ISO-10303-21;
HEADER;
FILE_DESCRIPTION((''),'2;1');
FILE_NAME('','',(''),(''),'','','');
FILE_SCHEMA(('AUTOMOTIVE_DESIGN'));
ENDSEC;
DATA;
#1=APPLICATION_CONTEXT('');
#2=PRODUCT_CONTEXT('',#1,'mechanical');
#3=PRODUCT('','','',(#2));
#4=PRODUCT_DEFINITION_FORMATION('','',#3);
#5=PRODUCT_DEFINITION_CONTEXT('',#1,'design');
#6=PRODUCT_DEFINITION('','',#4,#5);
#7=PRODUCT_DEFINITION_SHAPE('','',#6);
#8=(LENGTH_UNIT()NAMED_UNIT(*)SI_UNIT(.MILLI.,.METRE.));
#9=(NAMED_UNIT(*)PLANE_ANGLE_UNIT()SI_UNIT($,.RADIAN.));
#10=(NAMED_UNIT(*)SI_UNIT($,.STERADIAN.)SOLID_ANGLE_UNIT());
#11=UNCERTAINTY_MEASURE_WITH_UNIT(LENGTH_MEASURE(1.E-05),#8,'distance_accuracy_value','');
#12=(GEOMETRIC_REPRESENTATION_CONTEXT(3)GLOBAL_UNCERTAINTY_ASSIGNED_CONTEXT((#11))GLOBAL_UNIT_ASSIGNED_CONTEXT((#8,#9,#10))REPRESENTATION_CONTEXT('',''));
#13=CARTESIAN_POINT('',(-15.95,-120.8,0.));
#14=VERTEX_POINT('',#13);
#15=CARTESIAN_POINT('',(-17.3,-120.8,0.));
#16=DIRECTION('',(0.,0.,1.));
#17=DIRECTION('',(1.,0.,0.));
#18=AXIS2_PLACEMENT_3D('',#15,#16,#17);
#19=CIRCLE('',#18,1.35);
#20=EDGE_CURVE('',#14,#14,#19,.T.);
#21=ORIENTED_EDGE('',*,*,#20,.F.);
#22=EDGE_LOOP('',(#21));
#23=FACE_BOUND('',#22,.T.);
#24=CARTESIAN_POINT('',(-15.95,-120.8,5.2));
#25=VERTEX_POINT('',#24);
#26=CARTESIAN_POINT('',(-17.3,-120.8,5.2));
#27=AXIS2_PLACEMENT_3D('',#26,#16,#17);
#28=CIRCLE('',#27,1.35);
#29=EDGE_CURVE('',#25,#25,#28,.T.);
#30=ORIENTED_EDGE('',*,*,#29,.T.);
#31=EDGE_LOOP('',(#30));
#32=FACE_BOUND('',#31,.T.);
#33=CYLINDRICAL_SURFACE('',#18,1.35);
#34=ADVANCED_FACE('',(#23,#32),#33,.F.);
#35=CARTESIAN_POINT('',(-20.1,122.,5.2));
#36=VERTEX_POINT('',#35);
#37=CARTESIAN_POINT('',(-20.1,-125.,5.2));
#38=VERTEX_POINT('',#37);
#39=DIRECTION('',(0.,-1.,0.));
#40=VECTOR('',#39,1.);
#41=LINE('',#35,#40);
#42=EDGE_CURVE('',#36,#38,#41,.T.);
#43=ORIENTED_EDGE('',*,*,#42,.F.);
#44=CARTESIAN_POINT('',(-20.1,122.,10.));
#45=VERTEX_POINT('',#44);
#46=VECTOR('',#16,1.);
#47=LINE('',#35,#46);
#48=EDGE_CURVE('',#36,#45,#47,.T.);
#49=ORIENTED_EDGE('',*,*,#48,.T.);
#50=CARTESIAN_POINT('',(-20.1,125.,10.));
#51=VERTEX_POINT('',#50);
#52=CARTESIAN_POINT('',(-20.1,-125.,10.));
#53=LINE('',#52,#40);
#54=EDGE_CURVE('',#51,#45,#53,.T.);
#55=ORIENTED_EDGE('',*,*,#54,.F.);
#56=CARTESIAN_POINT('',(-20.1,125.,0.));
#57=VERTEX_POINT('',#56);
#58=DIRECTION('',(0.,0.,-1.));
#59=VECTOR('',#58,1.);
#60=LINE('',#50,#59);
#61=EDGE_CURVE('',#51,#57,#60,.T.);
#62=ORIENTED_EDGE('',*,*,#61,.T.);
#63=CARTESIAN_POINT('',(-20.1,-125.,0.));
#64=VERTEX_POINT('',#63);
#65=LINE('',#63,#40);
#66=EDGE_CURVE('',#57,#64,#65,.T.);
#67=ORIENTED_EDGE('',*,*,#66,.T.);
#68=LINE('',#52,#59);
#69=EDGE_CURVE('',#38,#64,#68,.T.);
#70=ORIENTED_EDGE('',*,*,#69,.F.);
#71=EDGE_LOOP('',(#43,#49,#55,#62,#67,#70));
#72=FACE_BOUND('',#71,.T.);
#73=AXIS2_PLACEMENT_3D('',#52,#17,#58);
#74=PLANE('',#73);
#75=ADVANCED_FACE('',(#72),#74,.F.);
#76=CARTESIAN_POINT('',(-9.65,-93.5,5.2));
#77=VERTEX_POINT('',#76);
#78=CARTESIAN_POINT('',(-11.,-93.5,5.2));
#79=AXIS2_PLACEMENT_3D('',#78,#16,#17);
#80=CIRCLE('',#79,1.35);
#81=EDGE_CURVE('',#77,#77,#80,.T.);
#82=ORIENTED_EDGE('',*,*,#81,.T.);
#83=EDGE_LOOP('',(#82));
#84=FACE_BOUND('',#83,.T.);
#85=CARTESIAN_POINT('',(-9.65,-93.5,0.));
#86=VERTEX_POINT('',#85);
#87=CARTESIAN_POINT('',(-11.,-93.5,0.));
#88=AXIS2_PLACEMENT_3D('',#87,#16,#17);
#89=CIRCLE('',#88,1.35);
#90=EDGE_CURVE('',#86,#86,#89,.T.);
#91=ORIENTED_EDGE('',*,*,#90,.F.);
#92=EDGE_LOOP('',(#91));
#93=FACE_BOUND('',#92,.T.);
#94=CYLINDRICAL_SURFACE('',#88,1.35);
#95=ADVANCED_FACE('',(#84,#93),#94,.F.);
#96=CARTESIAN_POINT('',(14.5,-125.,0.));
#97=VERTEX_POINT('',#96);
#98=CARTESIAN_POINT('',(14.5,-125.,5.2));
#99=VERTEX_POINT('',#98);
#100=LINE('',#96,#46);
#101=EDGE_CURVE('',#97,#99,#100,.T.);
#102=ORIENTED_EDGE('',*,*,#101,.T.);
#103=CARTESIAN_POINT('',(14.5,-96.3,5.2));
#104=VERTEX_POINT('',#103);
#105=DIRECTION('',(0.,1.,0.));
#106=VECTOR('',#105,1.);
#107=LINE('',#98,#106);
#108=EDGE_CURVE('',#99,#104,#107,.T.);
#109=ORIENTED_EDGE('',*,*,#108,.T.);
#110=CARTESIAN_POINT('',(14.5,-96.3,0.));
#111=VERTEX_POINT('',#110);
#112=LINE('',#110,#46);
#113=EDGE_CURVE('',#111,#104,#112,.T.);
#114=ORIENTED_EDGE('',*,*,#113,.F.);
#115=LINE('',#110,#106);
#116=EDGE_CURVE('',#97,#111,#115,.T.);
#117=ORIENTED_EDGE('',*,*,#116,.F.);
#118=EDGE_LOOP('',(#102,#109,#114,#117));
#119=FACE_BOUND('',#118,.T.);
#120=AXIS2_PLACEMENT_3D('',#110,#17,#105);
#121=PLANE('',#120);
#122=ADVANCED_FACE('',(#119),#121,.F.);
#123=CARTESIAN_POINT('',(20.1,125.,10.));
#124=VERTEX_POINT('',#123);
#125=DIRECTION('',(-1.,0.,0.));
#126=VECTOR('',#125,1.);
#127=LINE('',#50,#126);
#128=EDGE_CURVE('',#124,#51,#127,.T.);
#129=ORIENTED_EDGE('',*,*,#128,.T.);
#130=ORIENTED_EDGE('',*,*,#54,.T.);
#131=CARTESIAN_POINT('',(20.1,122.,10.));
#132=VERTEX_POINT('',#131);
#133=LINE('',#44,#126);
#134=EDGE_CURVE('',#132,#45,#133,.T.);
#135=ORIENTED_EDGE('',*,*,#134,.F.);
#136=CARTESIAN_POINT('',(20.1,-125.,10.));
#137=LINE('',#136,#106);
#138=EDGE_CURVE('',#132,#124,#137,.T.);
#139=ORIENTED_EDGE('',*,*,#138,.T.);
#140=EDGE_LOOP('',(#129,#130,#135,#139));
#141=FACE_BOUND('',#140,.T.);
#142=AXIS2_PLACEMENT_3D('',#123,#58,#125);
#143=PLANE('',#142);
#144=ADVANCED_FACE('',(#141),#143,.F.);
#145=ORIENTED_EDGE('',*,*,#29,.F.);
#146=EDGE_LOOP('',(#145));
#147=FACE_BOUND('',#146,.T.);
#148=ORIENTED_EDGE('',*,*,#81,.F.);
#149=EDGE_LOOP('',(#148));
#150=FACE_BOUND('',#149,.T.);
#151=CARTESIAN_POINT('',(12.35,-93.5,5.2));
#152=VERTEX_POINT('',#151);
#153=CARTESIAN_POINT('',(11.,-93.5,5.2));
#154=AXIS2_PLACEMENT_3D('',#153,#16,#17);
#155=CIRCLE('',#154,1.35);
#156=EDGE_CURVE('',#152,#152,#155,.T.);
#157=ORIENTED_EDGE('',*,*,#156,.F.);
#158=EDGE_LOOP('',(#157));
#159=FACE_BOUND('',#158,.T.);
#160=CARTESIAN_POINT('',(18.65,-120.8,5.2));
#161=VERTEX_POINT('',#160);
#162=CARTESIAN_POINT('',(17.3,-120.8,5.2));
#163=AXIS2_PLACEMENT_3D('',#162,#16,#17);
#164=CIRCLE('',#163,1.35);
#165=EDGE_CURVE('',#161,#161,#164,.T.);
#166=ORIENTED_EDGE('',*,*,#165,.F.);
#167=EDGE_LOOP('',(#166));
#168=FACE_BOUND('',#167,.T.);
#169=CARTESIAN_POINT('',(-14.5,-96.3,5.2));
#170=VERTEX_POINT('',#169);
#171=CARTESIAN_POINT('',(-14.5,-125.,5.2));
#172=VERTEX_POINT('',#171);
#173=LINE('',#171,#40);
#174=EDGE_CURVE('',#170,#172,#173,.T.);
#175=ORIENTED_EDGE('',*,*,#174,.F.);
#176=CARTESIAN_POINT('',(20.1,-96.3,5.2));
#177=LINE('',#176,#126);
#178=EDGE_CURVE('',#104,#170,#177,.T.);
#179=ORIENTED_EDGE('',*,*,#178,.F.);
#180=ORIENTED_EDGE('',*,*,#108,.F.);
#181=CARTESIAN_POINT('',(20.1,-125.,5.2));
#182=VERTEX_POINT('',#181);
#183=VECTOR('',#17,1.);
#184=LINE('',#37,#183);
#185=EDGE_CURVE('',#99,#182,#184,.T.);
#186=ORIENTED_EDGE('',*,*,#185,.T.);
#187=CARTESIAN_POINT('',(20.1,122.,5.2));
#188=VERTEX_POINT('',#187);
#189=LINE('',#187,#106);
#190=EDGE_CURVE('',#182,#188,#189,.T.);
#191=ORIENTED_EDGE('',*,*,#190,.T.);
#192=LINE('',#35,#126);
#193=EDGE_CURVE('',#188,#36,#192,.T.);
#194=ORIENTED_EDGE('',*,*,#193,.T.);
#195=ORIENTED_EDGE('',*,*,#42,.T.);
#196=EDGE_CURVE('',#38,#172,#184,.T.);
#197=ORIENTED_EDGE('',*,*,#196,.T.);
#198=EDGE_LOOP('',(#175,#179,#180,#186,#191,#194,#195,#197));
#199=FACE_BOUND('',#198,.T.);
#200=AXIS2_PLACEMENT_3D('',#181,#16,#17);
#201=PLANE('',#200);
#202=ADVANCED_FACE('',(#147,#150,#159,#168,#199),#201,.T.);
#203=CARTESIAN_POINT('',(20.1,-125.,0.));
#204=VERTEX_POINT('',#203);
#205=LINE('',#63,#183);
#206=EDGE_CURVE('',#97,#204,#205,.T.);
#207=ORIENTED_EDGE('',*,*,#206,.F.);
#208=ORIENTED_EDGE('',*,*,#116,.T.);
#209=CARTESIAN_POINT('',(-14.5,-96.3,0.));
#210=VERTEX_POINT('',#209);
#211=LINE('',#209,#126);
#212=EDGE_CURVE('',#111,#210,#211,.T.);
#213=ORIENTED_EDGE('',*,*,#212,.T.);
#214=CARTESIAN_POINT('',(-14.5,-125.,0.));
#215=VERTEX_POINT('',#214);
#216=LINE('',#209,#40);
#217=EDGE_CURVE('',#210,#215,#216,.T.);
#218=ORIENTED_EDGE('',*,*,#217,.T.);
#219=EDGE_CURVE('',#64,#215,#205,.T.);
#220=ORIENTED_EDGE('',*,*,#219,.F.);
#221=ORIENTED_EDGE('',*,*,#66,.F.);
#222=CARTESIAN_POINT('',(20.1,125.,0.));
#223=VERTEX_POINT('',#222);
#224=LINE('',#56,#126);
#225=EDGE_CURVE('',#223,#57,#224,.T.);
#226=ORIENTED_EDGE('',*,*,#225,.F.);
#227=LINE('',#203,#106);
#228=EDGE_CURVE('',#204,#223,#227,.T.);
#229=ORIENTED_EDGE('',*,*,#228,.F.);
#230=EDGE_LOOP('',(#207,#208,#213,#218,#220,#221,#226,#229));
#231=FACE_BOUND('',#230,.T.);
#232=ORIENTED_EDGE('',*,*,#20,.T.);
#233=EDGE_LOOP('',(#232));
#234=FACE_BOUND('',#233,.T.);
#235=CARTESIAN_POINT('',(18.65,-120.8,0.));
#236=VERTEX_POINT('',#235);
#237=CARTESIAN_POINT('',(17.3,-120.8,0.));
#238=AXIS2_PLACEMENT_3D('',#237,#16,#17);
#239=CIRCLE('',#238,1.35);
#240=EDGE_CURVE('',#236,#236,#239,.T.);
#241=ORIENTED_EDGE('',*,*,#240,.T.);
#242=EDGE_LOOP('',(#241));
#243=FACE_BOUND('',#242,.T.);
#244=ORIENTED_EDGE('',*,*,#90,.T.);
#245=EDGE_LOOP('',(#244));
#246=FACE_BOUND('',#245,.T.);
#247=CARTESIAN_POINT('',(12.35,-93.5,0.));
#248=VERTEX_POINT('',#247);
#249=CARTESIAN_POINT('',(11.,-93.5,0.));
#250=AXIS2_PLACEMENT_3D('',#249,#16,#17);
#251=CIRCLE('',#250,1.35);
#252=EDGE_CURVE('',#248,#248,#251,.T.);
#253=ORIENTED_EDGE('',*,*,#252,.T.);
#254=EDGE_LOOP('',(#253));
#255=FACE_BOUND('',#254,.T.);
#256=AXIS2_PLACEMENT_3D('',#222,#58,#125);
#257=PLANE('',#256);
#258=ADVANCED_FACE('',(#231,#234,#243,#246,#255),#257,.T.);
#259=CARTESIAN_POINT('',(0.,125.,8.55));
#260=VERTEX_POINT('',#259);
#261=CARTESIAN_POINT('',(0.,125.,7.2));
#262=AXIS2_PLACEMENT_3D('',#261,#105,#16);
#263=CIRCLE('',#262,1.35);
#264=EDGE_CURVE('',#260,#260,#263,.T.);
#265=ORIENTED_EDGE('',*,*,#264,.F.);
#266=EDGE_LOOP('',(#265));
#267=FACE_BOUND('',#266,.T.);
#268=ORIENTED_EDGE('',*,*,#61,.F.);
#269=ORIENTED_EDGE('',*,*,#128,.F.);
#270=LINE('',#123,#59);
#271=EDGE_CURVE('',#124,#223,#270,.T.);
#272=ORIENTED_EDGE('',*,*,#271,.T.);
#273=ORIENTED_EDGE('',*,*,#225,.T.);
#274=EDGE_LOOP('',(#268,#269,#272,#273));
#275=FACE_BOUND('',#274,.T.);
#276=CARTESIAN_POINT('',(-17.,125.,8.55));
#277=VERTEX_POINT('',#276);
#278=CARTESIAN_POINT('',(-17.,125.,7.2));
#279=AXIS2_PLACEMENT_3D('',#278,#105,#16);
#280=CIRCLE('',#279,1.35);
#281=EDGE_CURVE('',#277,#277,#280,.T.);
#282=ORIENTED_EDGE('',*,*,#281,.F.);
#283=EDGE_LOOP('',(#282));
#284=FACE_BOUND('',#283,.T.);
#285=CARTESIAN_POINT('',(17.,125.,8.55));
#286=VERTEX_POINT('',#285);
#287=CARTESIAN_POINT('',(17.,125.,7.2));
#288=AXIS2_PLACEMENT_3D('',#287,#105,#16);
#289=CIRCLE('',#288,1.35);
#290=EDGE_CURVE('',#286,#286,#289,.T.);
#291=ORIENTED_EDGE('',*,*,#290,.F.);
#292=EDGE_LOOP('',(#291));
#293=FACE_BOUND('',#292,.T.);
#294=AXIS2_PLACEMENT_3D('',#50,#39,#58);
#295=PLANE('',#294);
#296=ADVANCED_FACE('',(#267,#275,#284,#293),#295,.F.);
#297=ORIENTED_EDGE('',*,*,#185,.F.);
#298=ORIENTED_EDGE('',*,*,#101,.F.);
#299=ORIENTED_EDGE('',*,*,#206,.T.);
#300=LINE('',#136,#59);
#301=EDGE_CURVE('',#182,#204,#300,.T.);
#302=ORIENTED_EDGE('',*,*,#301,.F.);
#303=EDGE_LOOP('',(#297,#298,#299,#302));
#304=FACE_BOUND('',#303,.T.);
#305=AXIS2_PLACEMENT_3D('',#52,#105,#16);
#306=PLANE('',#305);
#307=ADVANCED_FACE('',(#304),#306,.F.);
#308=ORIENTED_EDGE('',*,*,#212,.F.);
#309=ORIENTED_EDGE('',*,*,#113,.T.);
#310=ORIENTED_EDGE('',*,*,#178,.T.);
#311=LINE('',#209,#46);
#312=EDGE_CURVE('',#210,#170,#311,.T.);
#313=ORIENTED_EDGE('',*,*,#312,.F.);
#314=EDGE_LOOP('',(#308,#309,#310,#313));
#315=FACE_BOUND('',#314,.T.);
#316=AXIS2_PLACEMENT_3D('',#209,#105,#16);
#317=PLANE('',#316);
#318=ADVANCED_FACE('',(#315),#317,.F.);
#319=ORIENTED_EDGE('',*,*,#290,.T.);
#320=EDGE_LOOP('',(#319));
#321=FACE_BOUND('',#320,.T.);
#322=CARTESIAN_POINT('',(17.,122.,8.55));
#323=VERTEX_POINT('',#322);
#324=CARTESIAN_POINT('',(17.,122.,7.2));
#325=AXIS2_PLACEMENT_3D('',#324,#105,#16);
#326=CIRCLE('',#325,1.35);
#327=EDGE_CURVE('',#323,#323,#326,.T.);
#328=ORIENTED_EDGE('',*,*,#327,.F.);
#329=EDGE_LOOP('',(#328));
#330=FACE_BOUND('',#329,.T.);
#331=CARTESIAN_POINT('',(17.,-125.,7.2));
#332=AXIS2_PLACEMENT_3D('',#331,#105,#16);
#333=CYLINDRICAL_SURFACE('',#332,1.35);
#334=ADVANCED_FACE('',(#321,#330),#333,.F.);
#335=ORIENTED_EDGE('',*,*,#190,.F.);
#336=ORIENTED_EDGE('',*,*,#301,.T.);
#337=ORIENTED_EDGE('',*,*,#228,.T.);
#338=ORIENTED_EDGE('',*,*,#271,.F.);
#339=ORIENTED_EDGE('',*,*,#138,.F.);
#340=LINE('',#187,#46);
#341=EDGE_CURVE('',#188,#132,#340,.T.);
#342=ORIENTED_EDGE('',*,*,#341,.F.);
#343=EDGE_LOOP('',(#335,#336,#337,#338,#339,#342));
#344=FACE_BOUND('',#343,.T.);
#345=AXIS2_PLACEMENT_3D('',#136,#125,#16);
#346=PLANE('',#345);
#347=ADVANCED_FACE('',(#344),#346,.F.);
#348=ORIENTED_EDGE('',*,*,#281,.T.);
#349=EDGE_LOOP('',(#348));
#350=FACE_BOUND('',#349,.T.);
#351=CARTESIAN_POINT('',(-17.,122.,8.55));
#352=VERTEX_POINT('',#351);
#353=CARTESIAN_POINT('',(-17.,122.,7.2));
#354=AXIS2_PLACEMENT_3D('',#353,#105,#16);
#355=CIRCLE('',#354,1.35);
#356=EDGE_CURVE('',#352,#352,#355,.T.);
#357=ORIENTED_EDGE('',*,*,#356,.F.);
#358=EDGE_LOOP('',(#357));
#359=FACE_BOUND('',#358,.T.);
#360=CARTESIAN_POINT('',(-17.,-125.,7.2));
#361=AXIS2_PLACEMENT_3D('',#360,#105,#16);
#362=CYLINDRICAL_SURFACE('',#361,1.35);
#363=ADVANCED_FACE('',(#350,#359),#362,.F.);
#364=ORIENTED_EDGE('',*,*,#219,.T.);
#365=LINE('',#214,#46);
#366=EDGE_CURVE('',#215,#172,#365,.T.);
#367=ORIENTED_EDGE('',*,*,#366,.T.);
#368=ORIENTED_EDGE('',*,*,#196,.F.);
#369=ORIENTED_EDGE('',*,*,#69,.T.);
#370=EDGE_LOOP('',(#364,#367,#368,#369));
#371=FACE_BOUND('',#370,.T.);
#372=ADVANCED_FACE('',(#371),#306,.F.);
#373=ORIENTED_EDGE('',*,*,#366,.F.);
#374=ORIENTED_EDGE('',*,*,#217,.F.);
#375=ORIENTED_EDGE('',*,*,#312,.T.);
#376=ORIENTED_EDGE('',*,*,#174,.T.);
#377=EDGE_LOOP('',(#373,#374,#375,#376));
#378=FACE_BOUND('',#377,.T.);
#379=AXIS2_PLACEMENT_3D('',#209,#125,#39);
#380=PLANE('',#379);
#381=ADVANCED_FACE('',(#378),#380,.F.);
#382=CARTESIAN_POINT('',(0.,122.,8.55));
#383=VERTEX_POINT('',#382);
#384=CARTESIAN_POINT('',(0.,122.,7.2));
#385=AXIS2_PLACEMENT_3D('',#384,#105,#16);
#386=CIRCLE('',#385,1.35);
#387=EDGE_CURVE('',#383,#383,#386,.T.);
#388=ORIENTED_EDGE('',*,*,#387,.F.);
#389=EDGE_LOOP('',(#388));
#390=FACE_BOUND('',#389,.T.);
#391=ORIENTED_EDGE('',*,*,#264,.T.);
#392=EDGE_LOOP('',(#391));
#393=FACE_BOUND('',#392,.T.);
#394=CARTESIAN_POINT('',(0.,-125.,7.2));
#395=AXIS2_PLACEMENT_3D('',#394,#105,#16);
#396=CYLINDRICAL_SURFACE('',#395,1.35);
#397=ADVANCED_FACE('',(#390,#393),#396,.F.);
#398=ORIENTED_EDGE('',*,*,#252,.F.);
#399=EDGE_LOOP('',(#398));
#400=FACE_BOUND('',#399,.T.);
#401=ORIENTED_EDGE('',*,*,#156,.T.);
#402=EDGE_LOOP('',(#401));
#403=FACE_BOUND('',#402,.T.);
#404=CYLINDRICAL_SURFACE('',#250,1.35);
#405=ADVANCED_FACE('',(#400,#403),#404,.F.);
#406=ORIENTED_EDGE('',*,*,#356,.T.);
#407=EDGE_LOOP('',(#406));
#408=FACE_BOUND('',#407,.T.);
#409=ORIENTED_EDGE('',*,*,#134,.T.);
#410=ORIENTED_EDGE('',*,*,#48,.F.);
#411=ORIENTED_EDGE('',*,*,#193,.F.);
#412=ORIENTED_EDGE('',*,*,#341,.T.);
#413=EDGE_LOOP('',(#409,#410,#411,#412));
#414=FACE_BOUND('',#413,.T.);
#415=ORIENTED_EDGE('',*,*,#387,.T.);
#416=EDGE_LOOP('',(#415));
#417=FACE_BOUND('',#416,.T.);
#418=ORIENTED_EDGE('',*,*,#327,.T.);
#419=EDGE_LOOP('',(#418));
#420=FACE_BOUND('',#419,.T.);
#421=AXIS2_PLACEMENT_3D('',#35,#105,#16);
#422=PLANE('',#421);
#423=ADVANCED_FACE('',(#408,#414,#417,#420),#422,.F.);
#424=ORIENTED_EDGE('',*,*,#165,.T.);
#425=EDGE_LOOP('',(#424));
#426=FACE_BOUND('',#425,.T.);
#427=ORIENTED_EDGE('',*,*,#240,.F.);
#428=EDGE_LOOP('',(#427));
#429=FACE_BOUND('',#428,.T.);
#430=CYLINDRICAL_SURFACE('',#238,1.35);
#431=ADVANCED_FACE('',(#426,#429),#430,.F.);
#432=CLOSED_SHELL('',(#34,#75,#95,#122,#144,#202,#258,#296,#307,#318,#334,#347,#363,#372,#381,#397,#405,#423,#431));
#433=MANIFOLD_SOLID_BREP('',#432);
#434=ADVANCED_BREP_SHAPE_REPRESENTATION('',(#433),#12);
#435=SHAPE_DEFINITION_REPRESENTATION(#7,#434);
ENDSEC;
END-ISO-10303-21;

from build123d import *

# Parameters (mm, degrees)
SKETCH1_W           = 40.2
SKETCH1_H           = 250
BOSS_EXTRUDE1_DEPTH = 10
SKETCH4_W           = 40.2
SKETCH4_H           = 247
CUT_EXTRUDE1_DEPTH  = 4.8
SKETCH3_W           = 29
SKETCH3_H           = 28.7
CUT_EXTRUDE2_DEPTH  = 11
SKETCH2_R           = 1.35
CUT_EXTRUDE3_DEPTH  = 11
SKETCH6_R           = 1.35
CUT_EXTRUDE4_DEPTH  = 251


with BuildPart() as part:
    # Sketch1 → Boss-Extrude1 (new body)
    with BuildSketch(Plane.XY):
        Rectangle(SKETCH1_W, SKETCH1_H)
    extrude(amount=BOSS_EXTRUDE1_DEPTH)

    # Sketch4 → Cut-Extrude1 (cut)
    with BuildSketch(Plane.XY.offset(10)):
        with Locations((0, -1.5)):
            Rectangle(SKETCH4_W, SKETCH4_H)
    extrude(amount=-CUT_EXTRUDE1_DEPTH, mode=Mode.SUBTRACT)

    # Sketch3 → Cut-Extrude2 (cut, through all)
    with BuildSketch(Plane.XY.offset(10)):
        with Locations((0, -110.65)):
            Rectangle(SKETCH3_W, SKETCH3_H)
    extrude(amount=-CUT_EXTRUDE2_DEPTH, mode=Mode.SUBTRACT)

    # Sketch2 → Cut-Extrude3 (cut, through all)
    with BuildSketch(Plane.XY.offset(10)):
        with Locations((17.3, -120.8)):
            Circle(SKETCH2_R)
        with Locations((11, -93.5)):
            Circle(SKETCH2_R)
        with Locations((-17.3, -120.8)):
            Circle(SKETCH2_R)
        with Locations((-11, -93.5)):
            Circle(SKETCH2_R)
    extrude(amount=-CUT_EXTRUDE3_DEPTH, mode=Mode.SUBTRACT)

    # Sketch6 → Cut-Extrude4 (cut, through all)
    with BuildSketch(Plane(origin=(0, 125, 0), x_dir=(-1, 0, 0), z_dir=(0, 1, 0))):
        with Locations((-17, 7.2)):
            Circle(SKETCH6_R)
        with Locations((17, 7.2)):
            Circle(SKETCH6_R)
        with Locations((0, 7.2)):
            Circle(SKETCH6_R)
    extrude(amount=-CUT_EXTRUDE4_DEPTH, mode=Mode.SUBTRACT)


solid = part.part
